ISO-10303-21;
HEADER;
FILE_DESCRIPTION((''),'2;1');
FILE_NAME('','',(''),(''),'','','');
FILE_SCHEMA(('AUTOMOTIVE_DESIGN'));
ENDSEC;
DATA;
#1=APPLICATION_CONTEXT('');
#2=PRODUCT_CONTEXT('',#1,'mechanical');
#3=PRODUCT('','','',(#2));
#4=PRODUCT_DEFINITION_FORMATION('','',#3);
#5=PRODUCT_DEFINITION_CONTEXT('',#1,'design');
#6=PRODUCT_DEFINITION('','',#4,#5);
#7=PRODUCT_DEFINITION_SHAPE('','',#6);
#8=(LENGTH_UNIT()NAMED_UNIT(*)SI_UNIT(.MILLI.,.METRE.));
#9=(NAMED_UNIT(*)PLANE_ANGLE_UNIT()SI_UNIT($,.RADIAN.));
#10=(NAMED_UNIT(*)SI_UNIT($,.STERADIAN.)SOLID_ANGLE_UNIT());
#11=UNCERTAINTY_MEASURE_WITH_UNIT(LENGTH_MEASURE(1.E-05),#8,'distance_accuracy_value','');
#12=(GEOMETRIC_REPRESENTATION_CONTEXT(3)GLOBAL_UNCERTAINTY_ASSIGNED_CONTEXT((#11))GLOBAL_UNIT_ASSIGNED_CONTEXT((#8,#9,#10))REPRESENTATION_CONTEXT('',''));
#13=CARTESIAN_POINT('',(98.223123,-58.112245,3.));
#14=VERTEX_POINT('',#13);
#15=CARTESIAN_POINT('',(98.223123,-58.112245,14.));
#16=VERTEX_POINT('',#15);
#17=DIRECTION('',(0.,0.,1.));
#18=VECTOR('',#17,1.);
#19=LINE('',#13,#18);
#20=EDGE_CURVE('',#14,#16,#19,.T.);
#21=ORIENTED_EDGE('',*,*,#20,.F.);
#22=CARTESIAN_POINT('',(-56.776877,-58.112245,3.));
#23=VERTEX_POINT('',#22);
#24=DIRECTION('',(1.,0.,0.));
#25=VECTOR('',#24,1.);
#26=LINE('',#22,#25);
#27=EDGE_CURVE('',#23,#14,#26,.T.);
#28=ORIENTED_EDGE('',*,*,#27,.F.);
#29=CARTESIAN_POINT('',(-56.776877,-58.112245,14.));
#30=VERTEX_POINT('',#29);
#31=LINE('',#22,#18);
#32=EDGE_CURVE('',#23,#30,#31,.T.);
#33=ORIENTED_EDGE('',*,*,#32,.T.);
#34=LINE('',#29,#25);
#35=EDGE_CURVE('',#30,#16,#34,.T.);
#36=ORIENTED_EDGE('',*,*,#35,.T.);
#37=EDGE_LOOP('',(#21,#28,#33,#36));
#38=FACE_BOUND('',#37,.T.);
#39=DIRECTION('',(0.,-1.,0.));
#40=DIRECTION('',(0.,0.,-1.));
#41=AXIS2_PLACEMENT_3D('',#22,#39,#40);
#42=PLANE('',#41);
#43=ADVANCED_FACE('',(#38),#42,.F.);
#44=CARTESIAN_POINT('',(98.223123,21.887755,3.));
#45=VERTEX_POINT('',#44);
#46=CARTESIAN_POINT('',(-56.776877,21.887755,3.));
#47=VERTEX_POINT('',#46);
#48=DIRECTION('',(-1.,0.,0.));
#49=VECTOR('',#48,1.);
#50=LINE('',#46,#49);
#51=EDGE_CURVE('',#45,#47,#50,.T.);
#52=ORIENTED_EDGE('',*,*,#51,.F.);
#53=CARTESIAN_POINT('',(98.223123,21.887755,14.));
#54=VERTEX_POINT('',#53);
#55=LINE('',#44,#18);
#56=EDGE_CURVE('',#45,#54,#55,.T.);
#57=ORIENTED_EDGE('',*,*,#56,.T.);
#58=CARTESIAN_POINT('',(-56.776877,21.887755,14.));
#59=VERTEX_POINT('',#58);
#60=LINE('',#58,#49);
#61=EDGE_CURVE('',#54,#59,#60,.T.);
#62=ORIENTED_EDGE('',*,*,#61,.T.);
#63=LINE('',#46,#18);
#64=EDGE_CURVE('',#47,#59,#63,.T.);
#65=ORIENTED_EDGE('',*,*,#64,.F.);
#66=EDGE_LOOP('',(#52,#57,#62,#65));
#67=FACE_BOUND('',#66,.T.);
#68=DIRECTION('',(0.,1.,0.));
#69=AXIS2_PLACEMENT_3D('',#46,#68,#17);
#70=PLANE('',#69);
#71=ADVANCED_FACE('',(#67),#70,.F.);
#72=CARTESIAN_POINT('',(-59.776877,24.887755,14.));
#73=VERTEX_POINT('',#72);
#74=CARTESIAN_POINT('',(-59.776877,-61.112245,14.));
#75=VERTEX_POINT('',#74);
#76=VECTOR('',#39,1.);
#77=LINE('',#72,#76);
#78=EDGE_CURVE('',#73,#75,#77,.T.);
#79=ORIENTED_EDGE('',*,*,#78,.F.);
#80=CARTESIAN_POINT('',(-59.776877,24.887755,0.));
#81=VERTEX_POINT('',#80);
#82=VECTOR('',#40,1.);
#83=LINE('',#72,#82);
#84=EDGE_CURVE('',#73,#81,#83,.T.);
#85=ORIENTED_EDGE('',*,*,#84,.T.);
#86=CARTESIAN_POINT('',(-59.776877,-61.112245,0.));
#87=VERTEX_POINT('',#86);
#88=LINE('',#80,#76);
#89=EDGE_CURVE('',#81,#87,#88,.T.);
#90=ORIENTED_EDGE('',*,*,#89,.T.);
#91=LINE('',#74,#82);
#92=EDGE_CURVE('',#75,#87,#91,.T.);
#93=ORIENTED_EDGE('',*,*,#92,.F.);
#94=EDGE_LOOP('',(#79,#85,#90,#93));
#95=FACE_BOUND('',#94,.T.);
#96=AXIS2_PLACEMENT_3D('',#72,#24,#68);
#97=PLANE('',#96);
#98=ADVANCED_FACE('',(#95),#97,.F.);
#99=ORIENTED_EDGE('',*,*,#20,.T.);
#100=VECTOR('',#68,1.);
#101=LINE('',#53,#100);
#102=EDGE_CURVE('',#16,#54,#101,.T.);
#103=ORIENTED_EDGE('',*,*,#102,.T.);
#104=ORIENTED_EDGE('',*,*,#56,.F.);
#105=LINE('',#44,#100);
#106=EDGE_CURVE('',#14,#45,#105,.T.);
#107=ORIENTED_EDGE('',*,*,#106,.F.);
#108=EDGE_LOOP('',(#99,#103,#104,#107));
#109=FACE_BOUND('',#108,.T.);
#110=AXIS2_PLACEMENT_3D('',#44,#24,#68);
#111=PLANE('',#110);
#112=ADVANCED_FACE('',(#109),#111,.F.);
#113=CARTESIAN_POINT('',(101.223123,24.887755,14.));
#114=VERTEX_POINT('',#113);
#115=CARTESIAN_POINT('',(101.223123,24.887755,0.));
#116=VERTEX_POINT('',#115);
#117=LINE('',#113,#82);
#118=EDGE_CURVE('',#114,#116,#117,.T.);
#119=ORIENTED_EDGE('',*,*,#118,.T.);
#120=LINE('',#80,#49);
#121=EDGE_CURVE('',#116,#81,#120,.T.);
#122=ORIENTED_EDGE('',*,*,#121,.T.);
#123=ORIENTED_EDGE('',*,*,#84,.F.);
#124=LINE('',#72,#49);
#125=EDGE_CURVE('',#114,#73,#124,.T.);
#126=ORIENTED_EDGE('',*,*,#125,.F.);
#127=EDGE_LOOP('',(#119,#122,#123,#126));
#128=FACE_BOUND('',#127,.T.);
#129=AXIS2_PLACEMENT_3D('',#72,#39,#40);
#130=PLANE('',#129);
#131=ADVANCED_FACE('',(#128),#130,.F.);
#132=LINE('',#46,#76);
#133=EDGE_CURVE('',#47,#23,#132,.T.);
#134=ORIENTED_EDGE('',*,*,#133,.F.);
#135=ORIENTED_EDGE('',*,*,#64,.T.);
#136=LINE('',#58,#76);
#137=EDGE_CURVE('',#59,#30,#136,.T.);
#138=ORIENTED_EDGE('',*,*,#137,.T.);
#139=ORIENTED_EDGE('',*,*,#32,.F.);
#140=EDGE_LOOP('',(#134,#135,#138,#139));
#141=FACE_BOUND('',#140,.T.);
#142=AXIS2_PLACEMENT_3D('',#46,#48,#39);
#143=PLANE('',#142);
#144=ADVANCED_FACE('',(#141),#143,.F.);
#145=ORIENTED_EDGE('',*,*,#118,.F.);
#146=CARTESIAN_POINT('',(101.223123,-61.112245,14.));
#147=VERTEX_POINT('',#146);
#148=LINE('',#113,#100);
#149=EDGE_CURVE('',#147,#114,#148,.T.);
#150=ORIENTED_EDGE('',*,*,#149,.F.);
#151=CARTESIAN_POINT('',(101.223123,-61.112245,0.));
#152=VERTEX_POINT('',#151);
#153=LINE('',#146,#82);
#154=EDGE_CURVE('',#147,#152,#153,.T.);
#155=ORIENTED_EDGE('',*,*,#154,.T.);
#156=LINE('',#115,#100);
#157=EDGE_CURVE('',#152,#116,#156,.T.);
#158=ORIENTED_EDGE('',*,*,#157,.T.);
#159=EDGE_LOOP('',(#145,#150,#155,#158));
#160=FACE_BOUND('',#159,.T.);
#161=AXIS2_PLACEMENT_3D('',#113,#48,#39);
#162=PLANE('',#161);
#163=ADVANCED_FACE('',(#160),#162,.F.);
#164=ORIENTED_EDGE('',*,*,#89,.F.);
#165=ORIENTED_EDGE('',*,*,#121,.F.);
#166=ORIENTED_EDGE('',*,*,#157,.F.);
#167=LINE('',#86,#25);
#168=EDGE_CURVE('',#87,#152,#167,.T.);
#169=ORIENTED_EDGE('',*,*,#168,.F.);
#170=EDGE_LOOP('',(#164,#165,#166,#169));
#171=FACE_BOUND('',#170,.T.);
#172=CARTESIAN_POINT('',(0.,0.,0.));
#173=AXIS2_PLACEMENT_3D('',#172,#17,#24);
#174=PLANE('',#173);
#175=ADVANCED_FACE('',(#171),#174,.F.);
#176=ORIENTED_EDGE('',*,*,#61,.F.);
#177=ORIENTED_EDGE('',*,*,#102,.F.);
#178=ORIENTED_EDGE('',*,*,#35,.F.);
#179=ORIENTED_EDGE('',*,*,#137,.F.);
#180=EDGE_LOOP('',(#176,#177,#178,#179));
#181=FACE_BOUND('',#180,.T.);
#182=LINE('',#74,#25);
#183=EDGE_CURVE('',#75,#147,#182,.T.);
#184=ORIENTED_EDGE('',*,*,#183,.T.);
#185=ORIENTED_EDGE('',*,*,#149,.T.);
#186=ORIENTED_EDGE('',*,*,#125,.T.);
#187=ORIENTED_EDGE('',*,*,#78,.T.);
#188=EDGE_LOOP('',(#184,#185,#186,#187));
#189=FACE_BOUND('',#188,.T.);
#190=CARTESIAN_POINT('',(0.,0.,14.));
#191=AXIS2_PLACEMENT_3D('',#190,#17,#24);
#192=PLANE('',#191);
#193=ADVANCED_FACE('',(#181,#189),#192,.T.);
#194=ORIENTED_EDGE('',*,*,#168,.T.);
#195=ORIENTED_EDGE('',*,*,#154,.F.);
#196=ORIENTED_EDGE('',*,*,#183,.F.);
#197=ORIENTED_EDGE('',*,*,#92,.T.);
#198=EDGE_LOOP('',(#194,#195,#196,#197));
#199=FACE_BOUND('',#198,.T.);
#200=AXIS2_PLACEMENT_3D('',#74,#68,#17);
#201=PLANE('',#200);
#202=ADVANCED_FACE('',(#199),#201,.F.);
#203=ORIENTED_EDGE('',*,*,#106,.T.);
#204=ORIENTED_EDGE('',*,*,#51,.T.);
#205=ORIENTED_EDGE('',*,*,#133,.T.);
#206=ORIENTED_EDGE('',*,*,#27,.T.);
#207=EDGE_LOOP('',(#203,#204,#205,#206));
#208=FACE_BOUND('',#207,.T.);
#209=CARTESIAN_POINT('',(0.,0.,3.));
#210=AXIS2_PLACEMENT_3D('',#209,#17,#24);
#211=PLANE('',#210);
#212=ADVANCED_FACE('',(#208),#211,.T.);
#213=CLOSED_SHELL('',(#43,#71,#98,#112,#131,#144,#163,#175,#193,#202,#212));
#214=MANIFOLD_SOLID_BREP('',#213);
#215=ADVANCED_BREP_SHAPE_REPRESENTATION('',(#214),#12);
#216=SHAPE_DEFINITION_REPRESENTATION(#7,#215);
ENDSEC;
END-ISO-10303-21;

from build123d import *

# Parameters (mm, degrees)
SKETCH_1_W          = 161
SKETCH_1_H          = 86
EXTRUDE_2_DEPTH     = 14
SKETCH_2_W          = 155
SKETCH_2_H          = 80
CUT_EXTRUDE_1_DEPTH = 11


with BuildPart() as part:
    # 草圖1 → 填料-伸長2 (new body)
    with BuildSketch(Plane.XY):
        with Locations((20.723123278, -18.112244898)):
            Rectangle(SKETCH_1_W, SKETCH_1_H)
    extrude(amount=EXTRUDE_2_DEPTH)

    # 草圖2 → 除料-伸長1 (cut)
    with BuildSketch(Plane.XY.offset(14)):
        with Locations((20.723123278, -18.112244898)):
            Rectangle(SKETCH_2_W, SKETCH_2_H)
    extrude(amount=-CUT_EXTRUDE_1_DEPTH, mode=Mode.SUBTRACT)


solid = part.part
